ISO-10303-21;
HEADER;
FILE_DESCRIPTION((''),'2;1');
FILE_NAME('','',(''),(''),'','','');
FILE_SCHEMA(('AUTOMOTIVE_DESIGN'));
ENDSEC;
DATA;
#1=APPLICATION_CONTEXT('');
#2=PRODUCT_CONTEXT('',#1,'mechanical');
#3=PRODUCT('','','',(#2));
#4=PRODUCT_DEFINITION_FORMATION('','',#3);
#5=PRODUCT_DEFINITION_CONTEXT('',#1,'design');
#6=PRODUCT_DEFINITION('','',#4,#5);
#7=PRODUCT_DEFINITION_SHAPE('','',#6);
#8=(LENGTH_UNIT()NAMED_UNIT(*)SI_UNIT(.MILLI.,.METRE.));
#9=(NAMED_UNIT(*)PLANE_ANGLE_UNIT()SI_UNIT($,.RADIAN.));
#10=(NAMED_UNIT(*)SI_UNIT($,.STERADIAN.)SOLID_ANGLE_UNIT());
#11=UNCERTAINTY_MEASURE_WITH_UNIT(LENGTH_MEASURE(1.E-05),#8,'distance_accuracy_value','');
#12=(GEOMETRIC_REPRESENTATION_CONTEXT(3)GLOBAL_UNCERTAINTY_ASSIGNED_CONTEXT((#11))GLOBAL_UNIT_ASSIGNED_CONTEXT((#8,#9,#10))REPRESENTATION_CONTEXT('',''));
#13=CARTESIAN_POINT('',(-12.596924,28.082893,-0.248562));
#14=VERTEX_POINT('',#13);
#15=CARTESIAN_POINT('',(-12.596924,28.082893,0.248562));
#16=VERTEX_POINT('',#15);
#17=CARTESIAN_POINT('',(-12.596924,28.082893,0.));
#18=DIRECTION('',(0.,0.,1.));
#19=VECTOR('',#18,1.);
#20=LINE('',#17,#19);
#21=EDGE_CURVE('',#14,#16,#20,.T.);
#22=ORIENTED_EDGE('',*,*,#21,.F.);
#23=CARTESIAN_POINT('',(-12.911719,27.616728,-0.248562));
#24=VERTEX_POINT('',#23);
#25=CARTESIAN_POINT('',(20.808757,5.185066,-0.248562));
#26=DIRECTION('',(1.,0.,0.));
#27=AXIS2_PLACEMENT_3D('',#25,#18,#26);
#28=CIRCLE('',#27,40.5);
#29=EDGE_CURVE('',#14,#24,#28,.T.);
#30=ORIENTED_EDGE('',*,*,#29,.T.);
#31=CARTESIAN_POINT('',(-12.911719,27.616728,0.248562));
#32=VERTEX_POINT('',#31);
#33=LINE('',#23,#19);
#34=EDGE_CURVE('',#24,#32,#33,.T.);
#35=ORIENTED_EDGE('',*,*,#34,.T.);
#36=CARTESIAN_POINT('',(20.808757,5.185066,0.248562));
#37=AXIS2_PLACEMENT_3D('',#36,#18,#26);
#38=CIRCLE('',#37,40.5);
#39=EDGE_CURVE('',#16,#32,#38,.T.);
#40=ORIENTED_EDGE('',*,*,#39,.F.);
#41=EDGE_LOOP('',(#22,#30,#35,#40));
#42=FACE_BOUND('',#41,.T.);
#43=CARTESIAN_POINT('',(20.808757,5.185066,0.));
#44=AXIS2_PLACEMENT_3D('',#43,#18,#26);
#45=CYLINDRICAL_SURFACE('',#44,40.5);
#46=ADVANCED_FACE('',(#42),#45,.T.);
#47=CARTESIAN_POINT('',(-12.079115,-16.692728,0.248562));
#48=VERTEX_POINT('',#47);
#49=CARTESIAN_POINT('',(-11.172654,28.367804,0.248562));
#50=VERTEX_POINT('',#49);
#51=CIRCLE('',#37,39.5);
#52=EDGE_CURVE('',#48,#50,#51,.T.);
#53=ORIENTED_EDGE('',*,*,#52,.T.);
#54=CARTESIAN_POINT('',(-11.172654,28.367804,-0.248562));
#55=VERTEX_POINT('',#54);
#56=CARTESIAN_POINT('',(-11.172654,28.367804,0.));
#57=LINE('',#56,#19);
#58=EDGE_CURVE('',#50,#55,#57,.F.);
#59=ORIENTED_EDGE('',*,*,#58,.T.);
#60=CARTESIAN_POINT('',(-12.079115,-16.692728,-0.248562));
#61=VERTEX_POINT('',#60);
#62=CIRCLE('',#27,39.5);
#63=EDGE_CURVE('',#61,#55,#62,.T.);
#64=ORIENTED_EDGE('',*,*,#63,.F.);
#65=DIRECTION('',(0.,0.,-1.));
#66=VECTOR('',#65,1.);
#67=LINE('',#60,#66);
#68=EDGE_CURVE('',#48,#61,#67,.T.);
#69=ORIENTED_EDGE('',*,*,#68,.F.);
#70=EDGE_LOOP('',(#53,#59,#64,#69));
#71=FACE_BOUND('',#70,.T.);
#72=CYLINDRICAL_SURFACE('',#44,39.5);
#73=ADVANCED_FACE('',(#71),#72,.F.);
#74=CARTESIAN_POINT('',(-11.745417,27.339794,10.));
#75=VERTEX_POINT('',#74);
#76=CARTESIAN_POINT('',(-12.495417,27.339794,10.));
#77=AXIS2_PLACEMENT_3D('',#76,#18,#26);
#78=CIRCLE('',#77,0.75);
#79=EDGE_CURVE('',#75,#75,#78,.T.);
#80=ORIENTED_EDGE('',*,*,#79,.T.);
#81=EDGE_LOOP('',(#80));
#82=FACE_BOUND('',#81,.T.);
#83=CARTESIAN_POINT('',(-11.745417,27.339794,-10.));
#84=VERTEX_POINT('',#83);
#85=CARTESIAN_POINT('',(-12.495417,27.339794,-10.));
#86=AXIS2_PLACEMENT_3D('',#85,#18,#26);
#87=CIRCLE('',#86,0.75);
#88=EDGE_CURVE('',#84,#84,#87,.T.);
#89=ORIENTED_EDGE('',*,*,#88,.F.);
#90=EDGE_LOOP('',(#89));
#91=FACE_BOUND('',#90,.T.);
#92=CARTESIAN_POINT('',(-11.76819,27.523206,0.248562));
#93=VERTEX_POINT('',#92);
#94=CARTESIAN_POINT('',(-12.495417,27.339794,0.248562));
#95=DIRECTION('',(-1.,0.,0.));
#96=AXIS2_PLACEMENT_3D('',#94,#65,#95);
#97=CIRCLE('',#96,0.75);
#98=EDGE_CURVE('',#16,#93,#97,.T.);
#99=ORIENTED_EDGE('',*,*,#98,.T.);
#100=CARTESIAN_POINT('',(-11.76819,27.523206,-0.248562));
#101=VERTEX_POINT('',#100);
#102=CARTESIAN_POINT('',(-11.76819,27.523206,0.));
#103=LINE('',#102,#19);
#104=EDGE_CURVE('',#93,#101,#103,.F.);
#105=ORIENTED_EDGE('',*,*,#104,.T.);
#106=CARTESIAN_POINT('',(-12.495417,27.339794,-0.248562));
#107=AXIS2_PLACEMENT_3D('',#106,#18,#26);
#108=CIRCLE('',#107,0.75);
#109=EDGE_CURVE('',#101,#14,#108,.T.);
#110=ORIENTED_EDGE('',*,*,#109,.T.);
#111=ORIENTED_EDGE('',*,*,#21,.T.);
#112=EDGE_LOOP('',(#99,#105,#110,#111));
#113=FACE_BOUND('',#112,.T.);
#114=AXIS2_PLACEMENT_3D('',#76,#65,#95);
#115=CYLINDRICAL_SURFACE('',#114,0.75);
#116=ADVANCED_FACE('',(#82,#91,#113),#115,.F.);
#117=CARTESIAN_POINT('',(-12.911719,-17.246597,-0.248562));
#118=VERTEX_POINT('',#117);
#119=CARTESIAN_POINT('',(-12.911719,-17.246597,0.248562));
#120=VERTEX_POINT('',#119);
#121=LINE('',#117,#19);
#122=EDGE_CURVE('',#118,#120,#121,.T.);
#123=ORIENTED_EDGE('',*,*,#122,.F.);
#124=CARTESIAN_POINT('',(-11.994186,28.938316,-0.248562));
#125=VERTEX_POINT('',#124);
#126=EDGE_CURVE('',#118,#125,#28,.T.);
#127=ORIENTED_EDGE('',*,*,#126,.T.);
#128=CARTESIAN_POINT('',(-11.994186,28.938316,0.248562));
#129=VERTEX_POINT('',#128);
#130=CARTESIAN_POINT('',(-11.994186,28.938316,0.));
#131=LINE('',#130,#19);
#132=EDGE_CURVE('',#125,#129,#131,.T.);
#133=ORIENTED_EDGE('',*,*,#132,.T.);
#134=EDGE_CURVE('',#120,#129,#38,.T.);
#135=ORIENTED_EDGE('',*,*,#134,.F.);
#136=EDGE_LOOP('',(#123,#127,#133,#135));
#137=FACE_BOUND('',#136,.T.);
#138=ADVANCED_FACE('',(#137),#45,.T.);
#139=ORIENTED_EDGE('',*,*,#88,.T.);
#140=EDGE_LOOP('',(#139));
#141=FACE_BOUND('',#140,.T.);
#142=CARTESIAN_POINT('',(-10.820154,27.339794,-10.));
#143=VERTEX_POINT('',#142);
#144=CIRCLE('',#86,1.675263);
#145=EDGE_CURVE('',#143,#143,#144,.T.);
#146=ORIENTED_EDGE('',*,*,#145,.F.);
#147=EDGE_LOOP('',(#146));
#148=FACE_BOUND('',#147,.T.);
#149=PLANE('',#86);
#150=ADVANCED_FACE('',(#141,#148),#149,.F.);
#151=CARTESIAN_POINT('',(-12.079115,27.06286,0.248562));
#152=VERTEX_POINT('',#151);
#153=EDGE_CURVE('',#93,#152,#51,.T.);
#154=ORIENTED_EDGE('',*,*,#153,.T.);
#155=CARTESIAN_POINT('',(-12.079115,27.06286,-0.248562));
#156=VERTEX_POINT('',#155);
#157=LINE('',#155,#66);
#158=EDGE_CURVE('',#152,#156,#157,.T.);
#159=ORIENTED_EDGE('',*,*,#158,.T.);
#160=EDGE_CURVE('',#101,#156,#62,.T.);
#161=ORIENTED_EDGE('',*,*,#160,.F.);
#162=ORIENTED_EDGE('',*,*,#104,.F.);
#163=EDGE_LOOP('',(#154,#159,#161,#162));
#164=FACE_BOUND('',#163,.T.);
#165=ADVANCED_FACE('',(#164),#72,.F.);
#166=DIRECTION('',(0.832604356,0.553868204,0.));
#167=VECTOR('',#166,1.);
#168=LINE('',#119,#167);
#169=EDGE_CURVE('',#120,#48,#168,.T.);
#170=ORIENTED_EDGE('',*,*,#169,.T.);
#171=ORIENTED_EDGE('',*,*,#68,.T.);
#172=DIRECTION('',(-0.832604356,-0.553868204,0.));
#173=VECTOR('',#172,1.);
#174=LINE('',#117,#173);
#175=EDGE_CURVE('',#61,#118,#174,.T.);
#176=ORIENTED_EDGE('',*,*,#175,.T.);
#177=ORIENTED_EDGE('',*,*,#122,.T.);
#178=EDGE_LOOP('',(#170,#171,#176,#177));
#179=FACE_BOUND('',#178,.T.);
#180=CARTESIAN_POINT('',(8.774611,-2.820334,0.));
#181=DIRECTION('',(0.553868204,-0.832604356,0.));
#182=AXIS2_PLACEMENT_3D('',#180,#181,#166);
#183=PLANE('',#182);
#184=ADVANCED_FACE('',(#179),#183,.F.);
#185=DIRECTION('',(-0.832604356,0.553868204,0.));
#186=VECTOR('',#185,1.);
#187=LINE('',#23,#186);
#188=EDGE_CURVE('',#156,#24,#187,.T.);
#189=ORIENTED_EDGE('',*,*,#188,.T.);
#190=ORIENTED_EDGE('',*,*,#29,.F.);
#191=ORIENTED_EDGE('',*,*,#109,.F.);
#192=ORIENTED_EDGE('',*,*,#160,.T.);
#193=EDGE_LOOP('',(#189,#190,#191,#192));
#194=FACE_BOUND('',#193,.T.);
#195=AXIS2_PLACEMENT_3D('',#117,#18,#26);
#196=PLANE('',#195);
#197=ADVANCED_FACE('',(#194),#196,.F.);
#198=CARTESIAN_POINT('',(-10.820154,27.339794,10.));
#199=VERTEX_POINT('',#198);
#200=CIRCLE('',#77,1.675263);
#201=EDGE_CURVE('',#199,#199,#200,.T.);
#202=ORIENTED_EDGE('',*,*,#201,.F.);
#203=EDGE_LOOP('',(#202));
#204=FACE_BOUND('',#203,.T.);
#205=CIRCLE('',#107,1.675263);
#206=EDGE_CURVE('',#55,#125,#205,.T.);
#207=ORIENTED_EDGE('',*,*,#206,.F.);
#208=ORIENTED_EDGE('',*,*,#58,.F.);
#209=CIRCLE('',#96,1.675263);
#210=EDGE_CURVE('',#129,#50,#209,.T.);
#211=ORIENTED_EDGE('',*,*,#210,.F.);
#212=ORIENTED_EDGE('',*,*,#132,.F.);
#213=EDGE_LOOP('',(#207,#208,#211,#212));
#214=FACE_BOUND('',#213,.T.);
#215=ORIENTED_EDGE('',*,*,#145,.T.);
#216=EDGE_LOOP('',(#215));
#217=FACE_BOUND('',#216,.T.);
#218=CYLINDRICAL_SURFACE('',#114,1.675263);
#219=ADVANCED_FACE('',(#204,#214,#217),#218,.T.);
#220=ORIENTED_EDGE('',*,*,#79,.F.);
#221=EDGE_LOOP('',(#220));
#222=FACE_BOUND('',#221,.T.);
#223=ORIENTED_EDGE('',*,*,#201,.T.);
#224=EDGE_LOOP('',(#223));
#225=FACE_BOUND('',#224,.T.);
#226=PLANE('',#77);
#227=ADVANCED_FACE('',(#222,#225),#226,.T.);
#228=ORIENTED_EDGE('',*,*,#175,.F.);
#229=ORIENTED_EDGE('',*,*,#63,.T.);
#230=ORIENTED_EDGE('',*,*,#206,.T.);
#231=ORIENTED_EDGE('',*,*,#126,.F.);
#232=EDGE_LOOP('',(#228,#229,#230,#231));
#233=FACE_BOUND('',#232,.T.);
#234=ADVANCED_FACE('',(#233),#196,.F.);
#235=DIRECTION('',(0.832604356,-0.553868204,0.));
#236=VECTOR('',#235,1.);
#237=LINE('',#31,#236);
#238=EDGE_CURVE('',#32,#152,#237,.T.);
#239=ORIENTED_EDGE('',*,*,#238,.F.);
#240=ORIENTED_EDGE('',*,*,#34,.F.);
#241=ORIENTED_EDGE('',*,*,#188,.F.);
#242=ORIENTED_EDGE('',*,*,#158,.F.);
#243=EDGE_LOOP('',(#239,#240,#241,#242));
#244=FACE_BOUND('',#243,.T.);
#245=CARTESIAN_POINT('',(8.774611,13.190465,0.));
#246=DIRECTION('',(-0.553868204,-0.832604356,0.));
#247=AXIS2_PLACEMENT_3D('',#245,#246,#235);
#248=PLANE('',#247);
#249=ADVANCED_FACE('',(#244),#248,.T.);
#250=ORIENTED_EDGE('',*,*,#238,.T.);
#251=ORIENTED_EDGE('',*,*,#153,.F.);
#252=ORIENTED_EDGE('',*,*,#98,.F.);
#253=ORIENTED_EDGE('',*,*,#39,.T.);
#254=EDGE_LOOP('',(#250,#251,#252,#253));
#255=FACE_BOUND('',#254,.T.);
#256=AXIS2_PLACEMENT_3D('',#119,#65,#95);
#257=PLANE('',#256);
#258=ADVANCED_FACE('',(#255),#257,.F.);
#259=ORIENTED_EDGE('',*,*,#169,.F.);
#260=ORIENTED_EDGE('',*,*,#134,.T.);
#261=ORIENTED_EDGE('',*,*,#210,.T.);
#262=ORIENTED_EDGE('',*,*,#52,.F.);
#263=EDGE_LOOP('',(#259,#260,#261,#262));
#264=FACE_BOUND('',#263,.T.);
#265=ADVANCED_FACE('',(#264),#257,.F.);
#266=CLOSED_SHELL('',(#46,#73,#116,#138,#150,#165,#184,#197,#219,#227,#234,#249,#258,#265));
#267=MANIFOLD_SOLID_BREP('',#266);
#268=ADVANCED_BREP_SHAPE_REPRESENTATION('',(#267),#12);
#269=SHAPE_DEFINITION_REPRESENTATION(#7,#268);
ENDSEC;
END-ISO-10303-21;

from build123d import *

# Parameters (mm, degrees)
SKETCH1_R           = 1.675263483
SKETCH1_R_2         = 0.75
BOSS_EXTRUDE1_DEPTH = 10
SKETCH3_W           = 0.497124842
SKETCH3_H           = 1


with BuildPart() as part:
    # Sketch1 → Boss-Extrude1 (new body, symmetric)
    with BuildSketch(Plane.XY):
        with Locations((-12.495417101, 27.339793711)):
            Circle(SKETCH1_R)
        with Locations((-12.495417101, 27.339793711)):
            Circle(SKETCH1_R_2, mode=Mode.SUBTRACT)
    extrude(amount=BOSS_EXTRUDE1_DEPTH, both=True)

    # Sweep1: sweep along a path in Sketch2
    with BuildLine(Plane.XY) as sweep1_path:
        ThreePointArc((-12.495417101, 27.339793711), (60.808757123, 5.185065564), (-12.495417101, -16.969662583))
    # Sketch3 → Sweep1 (sweep)
    with BuildSketch(Plane(origin=(-12.495417101, 27.339793711, 0), x_dir=(0, 0, 1), z_dir=(0.553868204, 0.832604356, 0))):
        Rectangle(SKETCH3_W, SKETCH3_H)
    sweep(path=sweep1_path.line)


solid = part.part
